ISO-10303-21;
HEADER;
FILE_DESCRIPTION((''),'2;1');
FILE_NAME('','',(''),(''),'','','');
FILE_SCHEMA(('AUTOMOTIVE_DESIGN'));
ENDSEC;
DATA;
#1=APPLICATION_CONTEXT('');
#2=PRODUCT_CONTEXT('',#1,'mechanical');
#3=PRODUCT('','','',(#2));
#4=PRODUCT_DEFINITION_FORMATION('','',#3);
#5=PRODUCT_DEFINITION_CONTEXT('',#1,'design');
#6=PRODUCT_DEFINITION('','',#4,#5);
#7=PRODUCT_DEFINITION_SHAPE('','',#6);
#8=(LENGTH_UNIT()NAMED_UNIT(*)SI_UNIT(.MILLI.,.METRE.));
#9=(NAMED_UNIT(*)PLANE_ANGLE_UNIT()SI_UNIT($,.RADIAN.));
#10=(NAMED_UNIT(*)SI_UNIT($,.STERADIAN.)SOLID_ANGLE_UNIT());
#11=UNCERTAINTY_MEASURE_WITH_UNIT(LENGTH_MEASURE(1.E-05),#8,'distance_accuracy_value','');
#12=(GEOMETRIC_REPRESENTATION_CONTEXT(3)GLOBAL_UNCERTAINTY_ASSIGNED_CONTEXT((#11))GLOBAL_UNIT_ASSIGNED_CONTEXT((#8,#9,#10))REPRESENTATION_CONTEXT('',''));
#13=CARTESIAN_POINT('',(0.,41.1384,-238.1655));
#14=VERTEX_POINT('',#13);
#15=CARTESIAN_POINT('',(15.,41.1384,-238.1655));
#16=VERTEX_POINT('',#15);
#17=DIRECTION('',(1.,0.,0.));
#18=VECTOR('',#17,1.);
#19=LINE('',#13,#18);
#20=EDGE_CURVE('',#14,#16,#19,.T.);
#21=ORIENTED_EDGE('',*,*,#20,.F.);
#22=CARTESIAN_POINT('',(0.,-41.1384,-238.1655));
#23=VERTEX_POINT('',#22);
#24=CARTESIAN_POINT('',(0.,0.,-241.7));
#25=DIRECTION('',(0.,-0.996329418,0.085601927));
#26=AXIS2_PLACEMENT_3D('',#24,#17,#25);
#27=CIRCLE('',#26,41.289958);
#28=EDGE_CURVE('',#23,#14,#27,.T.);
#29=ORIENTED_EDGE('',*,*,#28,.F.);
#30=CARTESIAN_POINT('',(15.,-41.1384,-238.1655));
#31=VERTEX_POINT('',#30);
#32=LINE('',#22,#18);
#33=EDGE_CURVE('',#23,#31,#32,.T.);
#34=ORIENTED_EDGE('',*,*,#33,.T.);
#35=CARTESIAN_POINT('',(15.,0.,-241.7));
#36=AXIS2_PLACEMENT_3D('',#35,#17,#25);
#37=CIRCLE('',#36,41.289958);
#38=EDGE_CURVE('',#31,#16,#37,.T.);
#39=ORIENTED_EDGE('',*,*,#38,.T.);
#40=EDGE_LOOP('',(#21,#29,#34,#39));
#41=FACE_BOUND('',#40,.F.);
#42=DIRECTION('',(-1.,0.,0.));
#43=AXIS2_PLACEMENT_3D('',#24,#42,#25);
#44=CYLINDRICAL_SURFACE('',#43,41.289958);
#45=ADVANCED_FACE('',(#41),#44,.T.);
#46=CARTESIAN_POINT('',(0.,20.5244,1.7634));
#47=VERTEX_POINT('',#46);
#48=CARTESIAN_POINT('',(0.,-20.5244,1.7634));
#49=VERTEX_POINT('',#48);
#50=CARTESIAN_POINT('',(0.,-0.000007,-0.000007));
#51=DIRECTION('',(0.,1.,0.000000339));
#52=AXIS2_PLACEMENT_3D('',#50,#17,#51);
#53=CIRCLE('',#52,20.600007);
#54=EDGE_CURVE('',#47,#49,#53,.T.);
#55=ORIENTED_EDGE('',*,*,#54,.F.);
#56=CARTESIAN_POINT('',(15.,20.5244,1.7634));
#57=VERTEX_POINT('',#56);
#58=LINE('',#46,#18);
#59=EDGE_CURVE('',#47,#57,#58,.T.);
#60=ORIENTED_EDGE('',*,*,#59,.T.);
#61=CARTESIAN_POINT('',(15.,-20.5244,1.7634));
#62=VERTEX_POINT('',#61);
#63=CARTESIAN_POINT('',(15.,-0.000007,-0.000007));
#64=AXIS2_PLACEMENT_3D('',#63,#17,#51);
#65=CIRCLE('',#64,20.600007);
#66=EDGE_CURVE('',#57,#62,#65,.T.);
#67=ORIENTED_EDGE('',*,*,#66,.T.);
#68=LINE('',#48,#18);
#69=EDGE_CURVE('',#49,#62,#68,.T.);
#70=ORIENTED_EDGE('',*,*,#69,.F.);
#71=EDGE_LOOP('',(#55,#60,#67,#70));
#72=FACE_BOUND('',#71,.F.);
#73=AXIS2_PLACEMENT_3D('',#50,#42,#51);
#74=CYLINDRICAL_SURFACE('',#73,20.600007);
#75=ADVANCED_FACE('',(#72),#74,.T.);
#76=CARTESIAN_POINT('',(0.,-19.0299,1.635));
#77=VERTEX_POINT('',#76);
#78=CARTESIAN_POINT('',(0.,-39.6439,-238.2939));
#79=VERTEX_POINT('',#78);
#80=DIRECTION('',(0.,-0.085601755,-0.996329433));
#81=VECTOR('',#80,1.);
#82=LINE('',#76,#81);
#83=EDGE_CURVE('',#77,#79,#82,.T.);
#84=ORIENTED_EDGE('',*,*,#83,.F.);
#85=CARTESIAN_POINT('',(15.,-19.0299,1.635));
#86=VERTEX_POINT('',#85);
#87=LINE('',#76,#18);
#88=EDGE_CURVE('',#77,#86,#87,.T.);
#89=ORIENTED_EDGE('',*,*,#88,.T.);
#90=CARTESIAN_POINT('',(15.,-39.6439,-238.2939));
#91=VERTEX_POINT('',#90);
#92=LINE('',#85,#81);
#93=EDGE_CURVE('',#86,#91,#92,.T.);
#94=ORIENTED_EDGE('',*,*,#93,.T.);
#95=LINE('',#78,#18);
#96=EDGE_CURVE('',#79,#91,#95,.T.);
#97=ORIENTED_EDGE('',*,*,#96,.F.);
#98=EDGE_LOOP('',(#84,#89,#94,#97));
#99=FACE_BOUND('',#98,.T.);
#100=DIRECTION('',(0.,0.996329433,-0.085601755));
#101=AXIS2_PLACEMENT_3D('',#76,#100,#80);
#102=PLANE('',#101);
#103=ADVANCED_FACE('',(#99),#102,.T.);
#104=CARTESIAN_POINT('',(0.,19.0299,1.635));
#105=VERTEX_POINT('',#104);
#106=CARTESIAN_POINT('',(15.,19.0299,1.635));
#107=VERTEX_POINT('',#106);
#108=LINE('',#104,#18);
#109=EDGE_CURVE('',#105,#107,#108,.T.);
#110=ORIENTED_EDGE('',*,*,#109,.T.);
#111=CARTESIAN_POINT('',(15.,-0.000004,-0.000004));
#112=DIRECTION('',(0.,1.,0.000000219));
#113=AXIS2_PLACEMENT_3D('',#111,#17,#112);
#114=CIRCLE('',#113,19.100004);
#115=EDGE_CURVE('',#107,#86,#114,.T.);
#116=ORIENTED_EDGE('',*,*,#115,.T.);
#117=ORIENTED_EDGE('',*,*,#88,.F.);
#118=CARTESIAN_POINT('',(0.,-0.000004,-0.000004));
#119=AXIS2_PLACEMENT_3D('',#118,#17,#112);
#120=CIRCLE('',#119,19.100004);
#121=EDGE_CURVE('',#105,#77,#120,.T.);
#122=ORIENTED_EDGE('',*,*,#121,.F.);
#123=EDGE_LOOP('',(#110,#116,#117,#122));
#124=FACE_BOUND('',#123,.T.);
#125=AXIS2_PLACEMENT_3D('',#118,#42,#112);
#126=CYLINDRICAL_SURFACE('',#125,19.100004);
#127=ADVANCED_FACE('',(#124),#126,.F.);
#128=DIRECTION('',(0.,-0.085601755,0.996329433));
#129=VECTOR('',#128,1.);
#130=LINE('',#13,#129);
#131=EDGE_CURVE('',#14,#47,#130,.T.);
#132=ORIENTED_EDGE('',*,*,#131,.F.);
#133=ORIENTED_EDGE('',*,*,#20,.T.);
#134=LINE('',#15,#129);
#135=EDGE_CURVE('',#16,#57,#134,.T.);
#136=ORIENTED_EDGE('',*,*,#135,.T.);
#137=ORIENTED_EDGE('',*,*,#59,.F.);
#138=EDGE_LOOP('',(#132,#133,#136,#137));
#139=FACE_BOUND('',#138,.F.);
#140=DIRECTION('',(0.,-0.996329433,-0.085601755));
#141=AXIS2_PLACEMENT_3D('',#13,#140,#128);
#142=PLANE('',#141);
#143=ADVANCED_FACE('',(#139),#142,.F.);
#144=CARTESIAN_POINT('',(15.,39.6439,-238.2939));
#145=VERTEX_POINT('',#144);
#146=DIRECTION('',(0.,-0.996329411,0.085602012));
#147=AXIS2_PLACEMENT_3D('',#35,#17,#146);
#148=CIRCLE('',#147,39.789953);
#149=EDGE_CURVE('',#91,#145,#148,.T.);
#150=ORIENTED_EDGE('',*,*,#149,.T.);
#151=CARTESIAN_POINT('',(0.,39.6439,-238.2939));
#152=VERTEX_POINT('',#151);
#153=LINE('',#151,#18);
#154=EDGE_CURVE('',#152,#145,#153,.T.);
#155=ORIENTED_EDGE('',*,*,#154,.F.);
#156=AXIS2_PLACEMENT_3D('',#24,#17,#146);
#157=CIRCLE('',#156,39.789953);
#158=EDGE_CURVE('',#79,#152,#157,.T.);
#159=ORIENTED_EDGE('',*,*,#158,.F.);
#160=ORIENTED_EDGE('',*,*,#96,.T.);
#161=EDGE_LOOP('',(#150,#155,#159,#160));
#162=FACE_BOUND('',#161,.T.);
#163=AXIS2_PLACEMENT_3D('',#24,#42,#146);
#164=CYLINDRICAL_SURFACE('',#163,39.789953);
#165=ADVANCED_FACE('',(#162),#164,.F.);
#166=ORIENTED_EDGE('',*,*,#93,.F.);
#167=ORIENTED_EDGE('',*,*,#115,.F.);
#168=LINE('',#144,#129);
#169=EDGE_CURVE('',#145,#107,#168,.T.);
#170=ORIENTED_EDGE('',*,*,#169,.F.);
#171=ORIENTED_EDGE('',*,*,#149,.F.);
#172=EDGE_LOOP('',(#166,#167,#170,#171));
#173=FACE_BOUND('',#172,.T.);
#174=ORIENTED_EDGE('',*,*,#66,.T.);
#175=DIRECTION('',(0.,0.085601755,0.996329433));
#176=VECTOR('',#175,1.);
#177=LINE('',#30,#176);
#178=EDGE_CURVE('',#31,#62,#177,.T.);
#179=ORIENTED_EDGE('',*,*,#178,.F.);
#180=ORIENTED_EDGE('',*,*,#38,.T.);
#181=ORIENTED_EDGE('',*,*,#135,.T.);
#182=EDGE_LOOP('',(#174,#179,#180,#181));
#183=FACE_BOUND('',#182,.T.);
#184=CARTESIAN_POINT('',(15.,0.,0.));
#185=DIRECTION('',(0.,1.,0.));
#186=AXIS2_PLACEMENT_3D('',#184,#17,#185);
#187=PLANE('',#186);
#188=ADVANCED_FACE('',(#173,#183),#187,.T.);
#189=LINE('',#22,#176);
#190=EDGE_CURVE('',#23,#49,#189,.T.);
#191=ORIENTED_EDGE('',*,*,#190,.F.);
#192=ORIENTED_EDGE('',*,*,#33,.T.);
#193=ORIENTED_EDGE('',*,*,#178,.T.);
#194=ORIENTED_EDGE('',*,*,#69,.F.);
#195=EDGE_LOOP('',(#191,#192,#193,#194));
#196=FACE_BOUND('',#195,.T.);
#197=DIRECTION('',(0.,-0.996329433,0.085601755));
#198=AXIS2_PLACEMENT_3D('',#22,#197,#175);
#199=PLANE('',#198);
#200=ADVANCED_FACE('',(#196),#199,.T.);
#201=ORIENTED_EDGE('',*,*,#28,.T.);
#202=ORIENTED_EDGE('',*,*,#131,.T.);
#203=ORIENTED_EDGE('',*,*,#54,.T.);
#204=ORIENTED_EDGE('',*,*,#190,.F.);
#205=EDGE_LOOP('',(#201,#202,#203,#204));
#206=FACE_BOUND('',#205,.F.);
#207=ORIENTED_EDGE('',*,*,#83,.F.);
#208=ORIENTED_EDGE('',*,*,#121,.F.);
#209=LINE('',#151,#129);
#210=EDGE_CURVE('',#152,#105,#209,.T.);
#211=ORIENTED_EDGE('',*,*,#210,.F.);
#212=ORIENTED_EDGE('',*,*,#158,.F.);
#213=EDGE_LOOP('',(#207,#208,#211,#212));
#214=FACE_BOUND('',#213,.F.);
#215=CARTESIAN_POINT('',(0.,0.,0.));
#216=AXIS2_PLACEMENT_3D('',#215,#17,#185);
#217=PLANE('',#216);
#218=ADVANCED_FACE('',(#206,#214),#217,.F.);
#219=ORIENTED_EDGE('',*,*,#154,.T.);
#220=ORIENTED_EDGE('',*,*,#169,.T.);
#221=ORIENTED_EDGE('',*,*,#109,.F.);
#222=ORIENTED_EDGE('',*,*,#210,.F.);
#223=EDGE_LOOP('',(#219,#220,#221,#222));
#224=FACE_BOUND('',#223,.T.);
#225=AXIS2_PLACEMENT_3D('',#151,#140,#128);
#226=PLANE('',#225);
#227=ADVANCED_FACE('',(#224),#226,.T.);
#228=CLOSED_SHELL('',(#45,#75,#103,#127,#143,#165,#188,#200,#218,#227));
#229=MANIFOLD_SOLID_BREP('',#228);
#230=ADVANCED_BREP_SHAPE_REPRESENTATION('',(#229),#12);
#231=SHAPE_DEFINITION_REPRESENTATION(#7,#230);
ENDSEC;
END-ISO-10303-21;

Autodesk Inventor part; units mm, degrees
ref_plane "YZ Plane" through (0, 0, 0) normal (1, 0, 0) x (0, 1, 0)
ref_plane "XZ Plane" through (0, 0, 0) normal (0, 1, 0) x (-1, 0, 0)
ref_plane "XY Plane" through (0, 0, 0) normal (0, 0, 1) x (1, 0, 0)
sketch "Sketch1" plane through (0, 0, 0) normal (1, 0, 0) x (0, 1, 0)
  arc A0 (19.1, 0) -> (-19.0299, 1.635) centre (0, 0) ccw
  arc A1 (-39.6439, -238.2939) -> (39.6439, -238.2939) centre (0, -241.7) ccw
  line L0 (0, 0) -> (0, -30) construction
  line L1 (0, 0) -> (30, 0) construction
  line L2 (39.6439, -238.2939) -> (19.0299, 1.635)
  line L3 (-19.0299, 1.635) -> (-39.6439, -238.2939)
  arc A2 (20.6, 0) -> (-20.5244, 1.7634) centre (0, 0) ccw
  arc A3 (-41.1384, -238.1655) -> (41.1384, -238.1655) centre (0, -241.7) ccw
  line L4 (41.1384, -238.1655) -> (20.5244, 1.7634)
  line L5 (-41.1384, -238.1655) -> (-20.5244, 1.7634)
  dimension "d0" = 38.2
  dimension "d1" = 79.58
  dimension "d2" = 30
  dimension "d3" = 90
  dimension "d4" = 241.7
  dimension "d5" = 41.2
  dimension "d6" = 82.58
extrude "Extrusion1" add sketch "Sketch1" along normal blind 15
properties part number "24 - 50 HTD 134 T Belt" material "Rubber"
